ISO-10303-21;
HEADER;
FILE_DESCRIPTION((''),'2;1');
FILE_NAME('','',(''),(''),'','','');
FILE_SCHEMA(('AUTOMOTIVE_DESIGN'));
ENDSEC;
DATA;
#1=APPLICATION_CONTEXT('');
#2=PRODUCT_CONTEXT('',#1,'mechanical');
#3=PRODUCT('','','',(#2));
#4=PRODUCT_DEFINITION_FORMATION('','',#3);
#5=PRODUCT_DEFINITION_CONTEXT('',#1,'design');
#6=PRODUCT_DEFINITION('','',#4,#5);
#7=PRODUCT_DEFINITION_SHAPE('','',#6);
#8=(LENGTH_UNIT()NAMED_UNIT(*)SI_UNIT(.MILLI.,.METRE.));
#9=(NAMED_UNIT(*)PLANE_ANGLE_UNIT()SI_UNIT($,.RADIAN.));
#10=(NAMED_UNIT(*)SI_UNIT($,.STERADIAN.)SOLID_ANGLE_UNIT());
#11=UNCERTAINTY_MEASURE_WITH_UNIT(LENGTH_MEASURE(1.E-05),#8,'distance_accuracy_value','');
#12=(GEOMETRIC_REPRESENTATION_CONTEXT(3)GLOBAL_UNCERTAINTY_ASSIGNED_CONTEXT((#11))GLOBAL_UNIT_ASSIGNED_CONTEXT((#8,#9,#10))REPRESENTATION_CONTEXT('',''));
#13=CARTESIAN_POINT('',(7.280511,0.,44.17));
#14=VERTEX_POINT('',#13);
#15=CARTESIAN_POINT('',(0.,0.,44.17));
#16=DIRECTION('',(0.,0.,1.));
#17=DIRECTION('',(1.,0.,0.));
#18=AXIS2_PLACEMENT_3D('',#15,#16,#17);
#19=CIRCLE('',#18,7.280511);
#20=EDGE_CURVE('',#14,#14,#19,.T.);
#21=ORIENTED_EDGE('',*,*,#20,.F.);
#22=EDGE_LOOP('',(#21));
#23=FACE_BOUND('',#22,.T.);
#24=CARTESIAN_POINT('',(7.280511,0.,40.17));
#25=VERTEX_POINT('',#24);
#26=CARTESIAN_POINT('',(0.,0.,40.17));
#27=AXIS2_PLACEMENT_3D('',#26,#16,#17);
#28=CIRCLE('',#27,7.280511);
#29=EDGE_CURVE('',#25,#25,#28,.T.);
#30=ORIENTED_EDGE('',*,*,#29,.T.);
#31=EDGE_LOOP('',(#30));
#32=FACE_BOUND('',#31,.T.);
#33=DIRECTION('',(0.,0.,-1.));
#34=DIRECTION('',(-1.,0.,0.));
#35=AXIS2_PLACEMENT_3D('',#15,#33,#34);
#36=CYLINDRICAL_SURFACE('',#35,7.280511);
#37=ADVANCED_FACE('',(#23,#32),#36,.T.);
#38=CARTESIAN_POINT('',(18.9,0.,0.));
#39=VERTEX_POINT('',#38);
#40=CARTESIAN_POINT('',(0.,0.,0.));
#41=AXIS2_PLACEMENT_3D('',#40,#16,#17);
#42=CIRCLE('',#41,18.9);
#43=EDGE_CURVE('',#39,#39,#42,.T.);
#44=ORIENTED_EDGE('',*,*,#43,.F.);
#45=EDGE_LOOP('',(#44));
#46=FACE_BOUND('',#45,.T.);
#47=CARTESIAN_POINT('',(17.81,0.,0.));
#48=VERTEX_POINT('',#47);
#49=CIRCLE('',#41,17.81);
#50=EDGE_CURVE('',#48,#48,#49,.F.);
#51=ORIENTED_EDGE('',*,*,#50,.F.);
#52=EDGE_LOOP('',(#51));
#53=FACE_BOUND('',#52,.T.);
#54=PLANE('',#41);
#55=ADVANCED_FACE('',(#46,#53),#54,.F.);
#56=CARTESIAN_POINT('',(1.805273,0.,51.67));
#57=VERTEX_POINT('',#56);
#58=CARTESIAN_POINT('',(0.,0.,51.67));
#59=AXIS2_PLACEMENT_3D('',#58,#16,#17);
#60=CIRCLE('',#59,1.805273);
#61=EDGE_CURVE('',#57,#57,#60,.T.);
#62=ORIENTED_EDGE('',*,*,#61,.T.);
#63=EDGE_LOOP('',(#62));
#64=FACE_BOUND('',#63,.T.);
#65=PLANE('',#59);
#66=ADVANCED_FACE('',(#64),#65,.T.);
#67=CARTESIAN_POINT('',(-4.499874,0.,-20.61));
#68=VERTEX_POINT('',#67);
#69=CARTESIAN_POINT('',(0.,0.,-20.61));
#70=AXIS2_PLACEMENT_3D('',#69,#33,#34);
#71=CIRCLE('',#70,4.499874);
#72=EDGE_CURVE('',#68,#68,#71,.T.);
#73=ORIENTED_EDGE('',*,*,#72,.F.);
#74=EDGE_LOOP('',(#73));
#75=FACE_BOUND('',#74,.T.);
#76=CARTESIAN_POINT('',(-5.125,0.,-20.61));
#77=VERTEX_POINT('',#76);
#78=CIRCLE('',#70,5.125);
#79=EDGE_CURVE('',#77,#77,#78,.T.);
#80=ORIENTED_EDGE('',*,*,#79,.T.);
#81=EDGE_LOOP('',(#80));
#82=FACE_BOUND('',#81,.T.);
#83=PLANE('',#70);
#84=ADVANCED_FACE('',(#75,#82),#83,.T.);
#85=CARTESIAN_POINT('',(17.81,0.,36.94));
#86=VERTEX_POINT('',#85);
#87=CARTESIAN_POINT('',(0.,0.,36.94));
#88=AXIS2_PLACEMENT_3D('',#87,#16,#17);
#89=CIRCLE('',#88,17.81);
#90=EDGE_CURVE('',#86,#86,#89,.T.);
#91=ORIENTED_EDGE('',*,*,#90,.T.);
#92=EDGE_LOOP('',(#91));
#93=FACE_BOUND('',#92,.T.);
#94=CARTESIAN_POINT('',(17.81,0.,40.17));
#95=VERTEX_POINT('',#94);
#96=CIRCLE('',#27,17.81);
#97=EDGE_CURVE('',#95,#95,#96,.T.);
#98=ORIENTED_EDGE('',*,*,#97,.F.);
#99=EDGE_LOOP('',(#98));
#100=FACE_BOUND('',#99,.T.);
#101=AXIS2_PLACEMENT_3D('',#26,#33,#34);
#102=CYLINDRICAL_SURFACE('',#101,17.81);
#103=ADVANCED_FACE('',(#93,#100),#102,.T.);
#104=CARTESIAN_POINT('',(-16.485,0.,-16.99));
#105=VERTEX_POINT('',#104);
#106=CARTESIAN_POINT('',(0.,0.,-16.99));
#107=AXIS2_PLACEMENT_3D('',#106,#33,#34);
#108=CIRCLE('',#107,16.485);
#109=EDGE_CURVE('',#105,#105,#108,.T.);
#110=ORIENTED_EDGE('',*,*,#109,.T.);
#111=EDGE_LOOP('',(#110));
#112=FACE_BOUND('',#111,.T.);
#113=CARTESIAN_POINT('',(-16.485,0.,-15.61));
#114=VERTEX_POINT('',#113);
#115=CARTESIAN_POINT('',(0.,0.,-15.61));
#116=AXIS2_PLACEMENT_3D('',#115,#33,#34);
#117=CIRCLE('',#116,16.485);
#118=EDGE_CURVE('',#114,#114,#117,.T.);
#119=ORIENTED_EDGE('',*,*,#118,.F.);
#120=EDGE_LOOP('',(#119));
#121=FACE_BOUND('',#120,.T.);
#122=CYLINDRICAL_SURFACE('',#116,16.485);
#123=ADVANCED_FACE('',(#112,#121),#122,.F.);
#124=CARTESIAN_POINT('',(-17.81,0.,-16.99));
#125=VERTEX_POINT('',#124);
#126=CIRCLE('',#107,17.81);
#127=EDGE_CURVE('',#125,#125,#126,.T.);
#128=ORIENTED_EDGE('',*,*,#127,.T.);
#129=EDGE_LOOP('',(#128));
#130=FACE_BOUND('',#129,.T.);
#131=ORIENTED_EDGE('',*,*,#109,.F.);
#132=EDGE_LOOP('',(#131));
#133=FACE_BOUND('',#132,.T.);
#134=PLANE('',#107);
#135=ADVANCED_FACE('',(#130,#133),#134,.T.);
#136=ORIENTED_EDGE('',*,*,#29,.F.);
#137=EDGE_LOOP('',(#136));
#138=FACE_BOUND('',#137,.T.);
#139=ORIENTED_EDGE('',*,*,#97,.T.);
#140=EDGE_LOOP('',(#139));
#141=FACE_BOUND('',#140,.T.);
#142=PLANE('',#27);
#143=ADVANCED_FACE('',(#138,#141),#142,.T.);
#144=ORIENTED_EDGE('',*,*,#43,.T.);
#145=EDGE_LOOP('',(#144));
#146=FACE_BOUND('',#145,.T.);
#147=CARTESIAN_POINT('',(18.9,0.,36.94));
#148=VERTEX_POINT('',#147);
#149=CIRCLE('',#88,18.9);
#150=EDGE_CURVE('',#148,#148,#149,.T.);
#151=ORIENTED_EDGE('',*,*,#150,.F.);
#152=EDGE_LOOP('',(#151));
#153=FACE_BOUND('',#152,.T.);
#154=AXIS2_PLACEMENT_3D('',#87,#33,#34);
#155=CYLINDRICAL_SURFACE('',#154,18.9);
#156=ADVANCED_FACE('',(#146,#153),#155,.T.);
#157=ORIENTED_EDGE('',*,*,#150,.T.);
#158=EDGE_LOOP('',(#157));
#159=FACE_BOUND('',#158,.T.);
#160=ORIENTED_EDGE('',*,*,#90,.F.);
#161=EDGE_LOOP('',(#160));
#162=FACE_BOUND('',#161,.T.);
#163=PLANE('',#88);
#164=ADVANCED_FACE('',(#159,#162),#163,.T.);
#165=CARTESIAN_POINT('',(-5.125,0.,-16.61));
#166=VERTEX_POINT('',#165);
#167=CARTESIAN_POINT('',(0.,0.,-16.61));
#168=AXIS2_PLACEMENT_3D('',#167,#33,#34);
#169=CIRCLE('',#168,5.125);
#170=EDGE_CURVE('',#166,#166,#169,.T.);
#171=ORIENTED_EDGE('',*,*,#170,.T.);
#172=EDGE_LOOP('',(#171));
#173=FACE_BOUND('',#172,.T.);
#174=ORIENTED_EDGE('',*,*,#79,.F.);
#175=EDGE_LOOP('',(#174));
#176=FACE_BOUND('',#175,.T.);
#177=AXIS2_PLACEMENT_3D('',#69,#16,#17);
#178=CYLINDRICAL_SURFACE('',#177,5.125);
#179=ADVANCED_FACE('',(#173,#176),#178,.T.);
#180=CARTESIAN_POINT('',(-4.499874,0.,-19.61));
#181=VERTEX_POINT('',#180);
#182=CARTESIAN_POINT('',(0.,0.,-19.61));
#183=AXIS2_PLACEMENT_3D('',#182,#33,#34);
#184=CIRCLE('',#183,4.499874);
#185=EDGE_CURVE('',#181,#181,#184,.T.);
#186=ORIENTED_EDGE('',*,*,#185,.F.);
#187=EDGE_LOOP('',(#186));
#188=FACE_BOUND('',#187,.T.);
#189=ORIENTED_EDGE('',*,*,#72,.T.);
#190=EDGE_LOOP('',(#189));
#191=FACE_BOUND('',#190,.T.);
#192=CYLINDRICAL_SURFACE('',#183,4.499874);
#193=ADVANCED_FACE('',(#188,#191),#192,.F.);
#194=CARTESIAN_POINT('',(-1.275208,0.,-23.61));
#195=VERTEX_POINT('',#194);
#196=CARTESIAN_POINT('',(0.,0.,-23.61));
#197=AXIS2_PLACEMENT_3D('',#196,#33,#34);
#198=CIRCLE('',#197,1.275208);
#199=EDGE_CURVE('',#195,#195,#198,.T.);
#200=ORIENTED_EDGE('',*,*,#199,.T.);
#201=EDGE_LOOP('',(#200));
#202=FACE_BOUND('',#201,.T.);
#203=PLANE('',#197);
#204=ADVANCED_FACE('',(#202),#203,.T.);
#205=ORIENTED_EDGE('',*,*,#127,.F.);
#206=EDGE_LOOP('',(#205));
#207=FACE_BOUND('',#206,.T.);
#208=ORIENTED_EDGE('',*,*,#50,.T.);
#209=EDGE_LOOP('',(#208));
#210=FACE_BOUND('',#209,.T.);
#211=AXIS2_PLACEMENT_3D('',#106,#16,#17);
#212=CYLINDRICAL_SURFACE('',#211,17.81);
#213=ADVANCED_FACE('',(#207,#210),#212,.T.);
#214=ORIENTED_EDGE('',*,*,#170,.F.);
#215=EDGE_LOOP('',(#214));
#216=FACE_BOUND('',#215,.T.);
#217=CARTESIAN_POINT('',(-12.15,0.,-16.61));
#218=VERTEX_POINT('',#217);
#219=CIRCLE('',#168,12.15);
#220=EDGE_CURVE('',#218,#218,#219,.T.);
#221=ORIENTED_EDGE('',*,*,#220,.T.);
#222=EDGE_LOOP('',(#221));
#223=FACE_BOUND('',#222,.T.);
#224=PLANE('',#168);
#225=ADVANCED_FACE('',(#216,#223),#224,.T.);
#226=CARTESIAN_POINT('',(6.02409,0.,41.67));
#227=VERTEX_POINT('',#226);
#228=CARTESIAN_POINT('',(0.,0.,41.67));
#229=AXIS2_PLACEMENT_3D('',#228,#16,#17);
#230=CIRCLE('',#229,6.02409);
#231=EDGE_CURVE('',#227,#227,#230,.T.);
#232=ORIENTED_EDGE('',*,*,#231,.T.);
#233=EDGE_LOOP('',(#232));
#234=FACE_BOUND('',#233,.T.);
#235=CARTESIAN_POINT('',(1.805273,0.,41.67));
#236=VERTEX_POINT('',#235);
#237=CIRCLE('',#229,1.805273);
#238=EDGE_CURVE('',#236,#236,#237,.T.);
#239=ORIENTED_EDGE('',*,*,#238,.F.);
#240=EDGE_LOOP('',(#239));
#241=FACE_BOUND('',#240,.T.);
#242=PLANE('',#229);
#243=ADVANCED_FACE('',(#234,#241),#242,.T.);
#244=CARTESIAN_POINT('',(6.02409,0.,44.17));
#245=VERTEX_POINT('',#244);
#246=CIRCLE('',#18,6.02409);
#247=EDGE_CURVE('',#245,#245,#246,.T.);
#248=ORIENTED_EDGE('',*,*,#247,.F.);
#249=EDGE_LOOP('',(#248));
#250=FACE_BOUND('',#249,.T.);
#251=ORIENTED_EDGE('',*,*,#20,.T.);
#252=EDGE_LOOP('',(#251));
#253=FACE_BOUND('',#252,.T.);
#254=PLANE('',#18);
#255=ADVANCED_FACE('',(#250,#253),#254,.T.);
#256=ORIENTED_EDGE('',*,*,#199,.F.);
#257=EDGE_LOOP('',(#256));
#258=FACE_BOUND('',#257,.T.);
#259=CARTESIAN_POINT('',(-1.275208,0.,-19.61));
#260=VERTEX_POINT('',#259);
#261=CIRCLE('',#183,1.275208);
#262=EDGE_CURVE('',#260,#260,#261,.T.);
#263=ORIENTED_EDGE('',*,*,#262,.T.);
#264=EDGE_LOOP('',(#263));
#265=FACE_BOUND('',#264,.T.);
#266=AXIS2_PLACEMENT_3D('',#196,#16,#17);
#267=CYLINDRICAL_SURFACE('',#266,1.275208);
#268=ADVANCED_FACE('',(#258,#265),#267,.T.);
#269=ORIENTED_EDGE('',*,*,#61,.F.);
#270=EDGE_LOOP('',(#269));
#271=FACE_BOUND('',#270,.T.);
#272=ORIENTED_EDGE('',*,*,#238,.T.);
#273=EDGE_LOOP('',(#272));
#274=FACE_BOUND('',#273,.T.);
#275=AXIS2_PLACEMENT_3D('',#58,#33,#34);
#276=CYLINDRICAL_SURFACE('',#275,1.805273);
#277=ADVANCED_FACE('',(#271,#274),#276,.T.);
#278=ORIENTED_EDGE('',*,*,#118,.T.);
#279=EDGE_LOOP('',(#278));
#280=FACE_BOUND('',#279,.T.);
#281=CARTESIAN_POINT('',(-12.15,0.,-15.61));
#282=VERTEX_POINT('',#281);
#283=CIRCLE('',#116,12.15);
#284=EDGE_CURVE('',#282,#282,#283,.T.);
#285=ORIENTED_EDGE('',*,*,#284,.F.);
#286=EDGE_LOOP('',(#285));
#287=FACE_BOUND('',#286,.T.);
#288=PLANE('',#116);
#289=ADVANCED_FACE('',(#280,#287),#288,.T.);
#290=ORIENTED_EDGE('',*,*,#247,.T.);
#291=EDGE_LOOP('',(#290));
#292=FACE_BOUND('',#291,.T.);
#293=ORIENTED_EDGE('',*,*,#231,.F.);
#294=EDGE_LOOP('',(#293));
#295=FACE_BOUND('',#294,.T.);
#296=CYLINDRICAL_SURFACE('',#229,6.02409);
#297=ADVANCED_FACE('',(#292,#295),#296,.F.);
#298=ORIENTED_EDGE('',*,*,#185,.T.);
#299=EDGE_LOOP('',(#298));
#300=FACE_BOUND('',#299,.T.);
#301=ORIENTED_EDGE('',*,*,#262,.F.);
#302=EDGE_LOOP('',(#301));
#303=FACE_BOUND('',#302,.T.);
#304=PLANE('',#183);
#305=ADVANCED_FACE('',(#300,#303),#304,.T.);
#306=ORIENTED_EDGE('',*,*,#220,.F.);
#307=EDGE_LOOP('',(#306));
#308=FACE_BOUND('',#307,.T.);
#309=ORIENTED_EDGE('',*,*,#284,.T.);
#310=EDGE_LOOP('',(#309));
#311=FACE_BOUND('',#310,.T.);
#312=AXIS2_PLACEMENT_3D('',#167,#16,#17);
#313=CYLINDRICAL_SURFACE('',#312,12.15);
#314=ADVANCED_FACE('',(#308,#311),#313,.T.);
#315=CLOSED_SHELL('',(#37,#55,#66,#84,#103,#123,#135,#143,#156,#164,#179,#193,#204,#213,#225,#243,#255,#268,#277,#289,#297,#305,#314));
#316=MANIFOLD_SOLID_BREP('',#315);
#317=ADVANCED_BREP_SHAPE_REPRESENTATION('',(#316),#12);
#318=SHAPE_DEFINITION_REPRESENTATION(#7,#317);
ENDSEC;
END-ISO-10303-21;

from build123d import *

# Parameters (mm, degrees)
SKETCH_1_R          = 18.9
EXTRUDE_1_DEPTH     = 36.94
SKETCH_2_R          = 17.81
EXTRUDE_2_DEPTH     = 3.23
EXTRUDE_START       = 16.99
SKETCH_3_R          = 17.81
EXTRUDE_3_DEPTH     = 16.99
SKETCH_4_R          = 16.485
CUT_EXTRUDE_1_DEPTH = 1.38
SKETCH_5_R          = 12.15
EXTRUDE_4_DEPTH     = 1
SKETCH_6_R          = 5.125
EXTRUDE_5_DEPTH     = 4
SKETCH_7_R          = 4.49987444
CUT_EXTRUDE_2_DEPTH = 1
SKETCH_8_R          = 1.275207664
EXTRUDE_6_DEPTH     = 4
SKETCH_9_R          = 7.280511115
EXTRUDE_7_DEPTH     = 4
SKETCH_10_R         = 6.024089917
CUT_EXTRUDE_3_DEPTH = 2.5
SKETCH_11_R         = 1.805272954
EXTRUDE_9_DEPTH     = 10


with BuildPart() as part:
    # 草图1 → 凸台-拉伸1 (new body)
    with BuildSketch(Plane.XY):
        Circle(SKETCH_1_R)
    extrude(amount=EXTRUDE_1_DEPTH)

    # 草图2 → 凸台-拉伸2 (add)
    with BuildSketch(Plane.XY.offset(36.94)):
        Circle(SKETCH_2_R)
    extrude(amount=EXTRUDE_2_DEPTH)

    # 草图3 → 凸台-拉伸3 (add)
    with BuildSketch(Plane(origin=(0, 0, 0), x_dir=(-1, 0, 0), z_dir=(0, 0, -1)).offset(EXTRUDE_START)):
        with Locations(Location((0, 0, 0), (0, 0, 180))):
            Circle(SKETCH_3_R)
    extrude(amount=-EXTRUDE_3_DEPTH)

    # 草图4 → 切除-拉伸1 (cut)
    with BuildSketch(Plane(origin=(0, 0, -16.99), x_dir=(-1, 0, 0), z_dir=(0, 0, -1))):
        Circle(SKETCH_4_R)
    extrude(amount=-CUT_EXTRUDE_1_DEPTH, mode=Mode.SUBTRACT)

    # 草图5 → 凸台-拉伸4 (add)
    with BuildSketch(Plane(origin=(0, 0, -15.61), x_dir=(-1, 0, 0), z_dir=(0, 0, -1))):
        Circle(SKETCH_5_R)
    extrude(amount=EXTRUDE_4_DEPTH)

    # 草图6 → 凸台-拉伸5 (add)
    with BuildSketch(Plane(origin=(0, 0, -16.61), x_dir=(-1, 0, 0), z_dir=(0, 0, -1))):
        Circle(SKETCH_6_R)
    extrude(amount=EXTRUDE_5_DEPTH)

    # 草图7 → 切除-拉伸2 (cut)
    with BuildSketch(Plane(origin=(0, 0, -20.61), x_dir=(-1, 0, 0), z_dir=(0, 0, -1))):
        Circle(SKETCH_7_R)
    extrude(amount=-CUT_EXTRUDE_2_DEPTH, mode=Mode.SUBTRACT)

    # 草图8 → 凸台-拉伸6 (add)
    with BuildSketch(Plane(origin=(0, 0, -19.61), x_dir=(-1, 0, 0), z_dir=(0, 0, -1))):
        Circle(SKETCH_8_R)
    extrude(amount=EXTRUDE_6_DEPTH)

    # 草图9 → 凸台-拉伸7 (add)
    with BuildSketch(Plane.XY.offset(40.17)):
        Circle(SKETCH_9_R)
    extrude(amount=EXTRUDE_7_DEPTH)

    # 草图10 → 切除-拉伸3 (cut)
    with BuildSketch(Plane.XY.offset(44.17)):
        Circle(SKETCH_10_R)
    extrude(amount=-CUT_EXTRUDE_3_DEPTH, mode=Mode.SUBTRACT)

    # 草图11 → 凸台-拉伸9 (add)
    with BuildSketch(Plane.XY.offset(41.67)):
        Circle(SKETCH_11_R)
    extrude(amount=EXTRUDE_9_DEPTH)


solid = part.part
